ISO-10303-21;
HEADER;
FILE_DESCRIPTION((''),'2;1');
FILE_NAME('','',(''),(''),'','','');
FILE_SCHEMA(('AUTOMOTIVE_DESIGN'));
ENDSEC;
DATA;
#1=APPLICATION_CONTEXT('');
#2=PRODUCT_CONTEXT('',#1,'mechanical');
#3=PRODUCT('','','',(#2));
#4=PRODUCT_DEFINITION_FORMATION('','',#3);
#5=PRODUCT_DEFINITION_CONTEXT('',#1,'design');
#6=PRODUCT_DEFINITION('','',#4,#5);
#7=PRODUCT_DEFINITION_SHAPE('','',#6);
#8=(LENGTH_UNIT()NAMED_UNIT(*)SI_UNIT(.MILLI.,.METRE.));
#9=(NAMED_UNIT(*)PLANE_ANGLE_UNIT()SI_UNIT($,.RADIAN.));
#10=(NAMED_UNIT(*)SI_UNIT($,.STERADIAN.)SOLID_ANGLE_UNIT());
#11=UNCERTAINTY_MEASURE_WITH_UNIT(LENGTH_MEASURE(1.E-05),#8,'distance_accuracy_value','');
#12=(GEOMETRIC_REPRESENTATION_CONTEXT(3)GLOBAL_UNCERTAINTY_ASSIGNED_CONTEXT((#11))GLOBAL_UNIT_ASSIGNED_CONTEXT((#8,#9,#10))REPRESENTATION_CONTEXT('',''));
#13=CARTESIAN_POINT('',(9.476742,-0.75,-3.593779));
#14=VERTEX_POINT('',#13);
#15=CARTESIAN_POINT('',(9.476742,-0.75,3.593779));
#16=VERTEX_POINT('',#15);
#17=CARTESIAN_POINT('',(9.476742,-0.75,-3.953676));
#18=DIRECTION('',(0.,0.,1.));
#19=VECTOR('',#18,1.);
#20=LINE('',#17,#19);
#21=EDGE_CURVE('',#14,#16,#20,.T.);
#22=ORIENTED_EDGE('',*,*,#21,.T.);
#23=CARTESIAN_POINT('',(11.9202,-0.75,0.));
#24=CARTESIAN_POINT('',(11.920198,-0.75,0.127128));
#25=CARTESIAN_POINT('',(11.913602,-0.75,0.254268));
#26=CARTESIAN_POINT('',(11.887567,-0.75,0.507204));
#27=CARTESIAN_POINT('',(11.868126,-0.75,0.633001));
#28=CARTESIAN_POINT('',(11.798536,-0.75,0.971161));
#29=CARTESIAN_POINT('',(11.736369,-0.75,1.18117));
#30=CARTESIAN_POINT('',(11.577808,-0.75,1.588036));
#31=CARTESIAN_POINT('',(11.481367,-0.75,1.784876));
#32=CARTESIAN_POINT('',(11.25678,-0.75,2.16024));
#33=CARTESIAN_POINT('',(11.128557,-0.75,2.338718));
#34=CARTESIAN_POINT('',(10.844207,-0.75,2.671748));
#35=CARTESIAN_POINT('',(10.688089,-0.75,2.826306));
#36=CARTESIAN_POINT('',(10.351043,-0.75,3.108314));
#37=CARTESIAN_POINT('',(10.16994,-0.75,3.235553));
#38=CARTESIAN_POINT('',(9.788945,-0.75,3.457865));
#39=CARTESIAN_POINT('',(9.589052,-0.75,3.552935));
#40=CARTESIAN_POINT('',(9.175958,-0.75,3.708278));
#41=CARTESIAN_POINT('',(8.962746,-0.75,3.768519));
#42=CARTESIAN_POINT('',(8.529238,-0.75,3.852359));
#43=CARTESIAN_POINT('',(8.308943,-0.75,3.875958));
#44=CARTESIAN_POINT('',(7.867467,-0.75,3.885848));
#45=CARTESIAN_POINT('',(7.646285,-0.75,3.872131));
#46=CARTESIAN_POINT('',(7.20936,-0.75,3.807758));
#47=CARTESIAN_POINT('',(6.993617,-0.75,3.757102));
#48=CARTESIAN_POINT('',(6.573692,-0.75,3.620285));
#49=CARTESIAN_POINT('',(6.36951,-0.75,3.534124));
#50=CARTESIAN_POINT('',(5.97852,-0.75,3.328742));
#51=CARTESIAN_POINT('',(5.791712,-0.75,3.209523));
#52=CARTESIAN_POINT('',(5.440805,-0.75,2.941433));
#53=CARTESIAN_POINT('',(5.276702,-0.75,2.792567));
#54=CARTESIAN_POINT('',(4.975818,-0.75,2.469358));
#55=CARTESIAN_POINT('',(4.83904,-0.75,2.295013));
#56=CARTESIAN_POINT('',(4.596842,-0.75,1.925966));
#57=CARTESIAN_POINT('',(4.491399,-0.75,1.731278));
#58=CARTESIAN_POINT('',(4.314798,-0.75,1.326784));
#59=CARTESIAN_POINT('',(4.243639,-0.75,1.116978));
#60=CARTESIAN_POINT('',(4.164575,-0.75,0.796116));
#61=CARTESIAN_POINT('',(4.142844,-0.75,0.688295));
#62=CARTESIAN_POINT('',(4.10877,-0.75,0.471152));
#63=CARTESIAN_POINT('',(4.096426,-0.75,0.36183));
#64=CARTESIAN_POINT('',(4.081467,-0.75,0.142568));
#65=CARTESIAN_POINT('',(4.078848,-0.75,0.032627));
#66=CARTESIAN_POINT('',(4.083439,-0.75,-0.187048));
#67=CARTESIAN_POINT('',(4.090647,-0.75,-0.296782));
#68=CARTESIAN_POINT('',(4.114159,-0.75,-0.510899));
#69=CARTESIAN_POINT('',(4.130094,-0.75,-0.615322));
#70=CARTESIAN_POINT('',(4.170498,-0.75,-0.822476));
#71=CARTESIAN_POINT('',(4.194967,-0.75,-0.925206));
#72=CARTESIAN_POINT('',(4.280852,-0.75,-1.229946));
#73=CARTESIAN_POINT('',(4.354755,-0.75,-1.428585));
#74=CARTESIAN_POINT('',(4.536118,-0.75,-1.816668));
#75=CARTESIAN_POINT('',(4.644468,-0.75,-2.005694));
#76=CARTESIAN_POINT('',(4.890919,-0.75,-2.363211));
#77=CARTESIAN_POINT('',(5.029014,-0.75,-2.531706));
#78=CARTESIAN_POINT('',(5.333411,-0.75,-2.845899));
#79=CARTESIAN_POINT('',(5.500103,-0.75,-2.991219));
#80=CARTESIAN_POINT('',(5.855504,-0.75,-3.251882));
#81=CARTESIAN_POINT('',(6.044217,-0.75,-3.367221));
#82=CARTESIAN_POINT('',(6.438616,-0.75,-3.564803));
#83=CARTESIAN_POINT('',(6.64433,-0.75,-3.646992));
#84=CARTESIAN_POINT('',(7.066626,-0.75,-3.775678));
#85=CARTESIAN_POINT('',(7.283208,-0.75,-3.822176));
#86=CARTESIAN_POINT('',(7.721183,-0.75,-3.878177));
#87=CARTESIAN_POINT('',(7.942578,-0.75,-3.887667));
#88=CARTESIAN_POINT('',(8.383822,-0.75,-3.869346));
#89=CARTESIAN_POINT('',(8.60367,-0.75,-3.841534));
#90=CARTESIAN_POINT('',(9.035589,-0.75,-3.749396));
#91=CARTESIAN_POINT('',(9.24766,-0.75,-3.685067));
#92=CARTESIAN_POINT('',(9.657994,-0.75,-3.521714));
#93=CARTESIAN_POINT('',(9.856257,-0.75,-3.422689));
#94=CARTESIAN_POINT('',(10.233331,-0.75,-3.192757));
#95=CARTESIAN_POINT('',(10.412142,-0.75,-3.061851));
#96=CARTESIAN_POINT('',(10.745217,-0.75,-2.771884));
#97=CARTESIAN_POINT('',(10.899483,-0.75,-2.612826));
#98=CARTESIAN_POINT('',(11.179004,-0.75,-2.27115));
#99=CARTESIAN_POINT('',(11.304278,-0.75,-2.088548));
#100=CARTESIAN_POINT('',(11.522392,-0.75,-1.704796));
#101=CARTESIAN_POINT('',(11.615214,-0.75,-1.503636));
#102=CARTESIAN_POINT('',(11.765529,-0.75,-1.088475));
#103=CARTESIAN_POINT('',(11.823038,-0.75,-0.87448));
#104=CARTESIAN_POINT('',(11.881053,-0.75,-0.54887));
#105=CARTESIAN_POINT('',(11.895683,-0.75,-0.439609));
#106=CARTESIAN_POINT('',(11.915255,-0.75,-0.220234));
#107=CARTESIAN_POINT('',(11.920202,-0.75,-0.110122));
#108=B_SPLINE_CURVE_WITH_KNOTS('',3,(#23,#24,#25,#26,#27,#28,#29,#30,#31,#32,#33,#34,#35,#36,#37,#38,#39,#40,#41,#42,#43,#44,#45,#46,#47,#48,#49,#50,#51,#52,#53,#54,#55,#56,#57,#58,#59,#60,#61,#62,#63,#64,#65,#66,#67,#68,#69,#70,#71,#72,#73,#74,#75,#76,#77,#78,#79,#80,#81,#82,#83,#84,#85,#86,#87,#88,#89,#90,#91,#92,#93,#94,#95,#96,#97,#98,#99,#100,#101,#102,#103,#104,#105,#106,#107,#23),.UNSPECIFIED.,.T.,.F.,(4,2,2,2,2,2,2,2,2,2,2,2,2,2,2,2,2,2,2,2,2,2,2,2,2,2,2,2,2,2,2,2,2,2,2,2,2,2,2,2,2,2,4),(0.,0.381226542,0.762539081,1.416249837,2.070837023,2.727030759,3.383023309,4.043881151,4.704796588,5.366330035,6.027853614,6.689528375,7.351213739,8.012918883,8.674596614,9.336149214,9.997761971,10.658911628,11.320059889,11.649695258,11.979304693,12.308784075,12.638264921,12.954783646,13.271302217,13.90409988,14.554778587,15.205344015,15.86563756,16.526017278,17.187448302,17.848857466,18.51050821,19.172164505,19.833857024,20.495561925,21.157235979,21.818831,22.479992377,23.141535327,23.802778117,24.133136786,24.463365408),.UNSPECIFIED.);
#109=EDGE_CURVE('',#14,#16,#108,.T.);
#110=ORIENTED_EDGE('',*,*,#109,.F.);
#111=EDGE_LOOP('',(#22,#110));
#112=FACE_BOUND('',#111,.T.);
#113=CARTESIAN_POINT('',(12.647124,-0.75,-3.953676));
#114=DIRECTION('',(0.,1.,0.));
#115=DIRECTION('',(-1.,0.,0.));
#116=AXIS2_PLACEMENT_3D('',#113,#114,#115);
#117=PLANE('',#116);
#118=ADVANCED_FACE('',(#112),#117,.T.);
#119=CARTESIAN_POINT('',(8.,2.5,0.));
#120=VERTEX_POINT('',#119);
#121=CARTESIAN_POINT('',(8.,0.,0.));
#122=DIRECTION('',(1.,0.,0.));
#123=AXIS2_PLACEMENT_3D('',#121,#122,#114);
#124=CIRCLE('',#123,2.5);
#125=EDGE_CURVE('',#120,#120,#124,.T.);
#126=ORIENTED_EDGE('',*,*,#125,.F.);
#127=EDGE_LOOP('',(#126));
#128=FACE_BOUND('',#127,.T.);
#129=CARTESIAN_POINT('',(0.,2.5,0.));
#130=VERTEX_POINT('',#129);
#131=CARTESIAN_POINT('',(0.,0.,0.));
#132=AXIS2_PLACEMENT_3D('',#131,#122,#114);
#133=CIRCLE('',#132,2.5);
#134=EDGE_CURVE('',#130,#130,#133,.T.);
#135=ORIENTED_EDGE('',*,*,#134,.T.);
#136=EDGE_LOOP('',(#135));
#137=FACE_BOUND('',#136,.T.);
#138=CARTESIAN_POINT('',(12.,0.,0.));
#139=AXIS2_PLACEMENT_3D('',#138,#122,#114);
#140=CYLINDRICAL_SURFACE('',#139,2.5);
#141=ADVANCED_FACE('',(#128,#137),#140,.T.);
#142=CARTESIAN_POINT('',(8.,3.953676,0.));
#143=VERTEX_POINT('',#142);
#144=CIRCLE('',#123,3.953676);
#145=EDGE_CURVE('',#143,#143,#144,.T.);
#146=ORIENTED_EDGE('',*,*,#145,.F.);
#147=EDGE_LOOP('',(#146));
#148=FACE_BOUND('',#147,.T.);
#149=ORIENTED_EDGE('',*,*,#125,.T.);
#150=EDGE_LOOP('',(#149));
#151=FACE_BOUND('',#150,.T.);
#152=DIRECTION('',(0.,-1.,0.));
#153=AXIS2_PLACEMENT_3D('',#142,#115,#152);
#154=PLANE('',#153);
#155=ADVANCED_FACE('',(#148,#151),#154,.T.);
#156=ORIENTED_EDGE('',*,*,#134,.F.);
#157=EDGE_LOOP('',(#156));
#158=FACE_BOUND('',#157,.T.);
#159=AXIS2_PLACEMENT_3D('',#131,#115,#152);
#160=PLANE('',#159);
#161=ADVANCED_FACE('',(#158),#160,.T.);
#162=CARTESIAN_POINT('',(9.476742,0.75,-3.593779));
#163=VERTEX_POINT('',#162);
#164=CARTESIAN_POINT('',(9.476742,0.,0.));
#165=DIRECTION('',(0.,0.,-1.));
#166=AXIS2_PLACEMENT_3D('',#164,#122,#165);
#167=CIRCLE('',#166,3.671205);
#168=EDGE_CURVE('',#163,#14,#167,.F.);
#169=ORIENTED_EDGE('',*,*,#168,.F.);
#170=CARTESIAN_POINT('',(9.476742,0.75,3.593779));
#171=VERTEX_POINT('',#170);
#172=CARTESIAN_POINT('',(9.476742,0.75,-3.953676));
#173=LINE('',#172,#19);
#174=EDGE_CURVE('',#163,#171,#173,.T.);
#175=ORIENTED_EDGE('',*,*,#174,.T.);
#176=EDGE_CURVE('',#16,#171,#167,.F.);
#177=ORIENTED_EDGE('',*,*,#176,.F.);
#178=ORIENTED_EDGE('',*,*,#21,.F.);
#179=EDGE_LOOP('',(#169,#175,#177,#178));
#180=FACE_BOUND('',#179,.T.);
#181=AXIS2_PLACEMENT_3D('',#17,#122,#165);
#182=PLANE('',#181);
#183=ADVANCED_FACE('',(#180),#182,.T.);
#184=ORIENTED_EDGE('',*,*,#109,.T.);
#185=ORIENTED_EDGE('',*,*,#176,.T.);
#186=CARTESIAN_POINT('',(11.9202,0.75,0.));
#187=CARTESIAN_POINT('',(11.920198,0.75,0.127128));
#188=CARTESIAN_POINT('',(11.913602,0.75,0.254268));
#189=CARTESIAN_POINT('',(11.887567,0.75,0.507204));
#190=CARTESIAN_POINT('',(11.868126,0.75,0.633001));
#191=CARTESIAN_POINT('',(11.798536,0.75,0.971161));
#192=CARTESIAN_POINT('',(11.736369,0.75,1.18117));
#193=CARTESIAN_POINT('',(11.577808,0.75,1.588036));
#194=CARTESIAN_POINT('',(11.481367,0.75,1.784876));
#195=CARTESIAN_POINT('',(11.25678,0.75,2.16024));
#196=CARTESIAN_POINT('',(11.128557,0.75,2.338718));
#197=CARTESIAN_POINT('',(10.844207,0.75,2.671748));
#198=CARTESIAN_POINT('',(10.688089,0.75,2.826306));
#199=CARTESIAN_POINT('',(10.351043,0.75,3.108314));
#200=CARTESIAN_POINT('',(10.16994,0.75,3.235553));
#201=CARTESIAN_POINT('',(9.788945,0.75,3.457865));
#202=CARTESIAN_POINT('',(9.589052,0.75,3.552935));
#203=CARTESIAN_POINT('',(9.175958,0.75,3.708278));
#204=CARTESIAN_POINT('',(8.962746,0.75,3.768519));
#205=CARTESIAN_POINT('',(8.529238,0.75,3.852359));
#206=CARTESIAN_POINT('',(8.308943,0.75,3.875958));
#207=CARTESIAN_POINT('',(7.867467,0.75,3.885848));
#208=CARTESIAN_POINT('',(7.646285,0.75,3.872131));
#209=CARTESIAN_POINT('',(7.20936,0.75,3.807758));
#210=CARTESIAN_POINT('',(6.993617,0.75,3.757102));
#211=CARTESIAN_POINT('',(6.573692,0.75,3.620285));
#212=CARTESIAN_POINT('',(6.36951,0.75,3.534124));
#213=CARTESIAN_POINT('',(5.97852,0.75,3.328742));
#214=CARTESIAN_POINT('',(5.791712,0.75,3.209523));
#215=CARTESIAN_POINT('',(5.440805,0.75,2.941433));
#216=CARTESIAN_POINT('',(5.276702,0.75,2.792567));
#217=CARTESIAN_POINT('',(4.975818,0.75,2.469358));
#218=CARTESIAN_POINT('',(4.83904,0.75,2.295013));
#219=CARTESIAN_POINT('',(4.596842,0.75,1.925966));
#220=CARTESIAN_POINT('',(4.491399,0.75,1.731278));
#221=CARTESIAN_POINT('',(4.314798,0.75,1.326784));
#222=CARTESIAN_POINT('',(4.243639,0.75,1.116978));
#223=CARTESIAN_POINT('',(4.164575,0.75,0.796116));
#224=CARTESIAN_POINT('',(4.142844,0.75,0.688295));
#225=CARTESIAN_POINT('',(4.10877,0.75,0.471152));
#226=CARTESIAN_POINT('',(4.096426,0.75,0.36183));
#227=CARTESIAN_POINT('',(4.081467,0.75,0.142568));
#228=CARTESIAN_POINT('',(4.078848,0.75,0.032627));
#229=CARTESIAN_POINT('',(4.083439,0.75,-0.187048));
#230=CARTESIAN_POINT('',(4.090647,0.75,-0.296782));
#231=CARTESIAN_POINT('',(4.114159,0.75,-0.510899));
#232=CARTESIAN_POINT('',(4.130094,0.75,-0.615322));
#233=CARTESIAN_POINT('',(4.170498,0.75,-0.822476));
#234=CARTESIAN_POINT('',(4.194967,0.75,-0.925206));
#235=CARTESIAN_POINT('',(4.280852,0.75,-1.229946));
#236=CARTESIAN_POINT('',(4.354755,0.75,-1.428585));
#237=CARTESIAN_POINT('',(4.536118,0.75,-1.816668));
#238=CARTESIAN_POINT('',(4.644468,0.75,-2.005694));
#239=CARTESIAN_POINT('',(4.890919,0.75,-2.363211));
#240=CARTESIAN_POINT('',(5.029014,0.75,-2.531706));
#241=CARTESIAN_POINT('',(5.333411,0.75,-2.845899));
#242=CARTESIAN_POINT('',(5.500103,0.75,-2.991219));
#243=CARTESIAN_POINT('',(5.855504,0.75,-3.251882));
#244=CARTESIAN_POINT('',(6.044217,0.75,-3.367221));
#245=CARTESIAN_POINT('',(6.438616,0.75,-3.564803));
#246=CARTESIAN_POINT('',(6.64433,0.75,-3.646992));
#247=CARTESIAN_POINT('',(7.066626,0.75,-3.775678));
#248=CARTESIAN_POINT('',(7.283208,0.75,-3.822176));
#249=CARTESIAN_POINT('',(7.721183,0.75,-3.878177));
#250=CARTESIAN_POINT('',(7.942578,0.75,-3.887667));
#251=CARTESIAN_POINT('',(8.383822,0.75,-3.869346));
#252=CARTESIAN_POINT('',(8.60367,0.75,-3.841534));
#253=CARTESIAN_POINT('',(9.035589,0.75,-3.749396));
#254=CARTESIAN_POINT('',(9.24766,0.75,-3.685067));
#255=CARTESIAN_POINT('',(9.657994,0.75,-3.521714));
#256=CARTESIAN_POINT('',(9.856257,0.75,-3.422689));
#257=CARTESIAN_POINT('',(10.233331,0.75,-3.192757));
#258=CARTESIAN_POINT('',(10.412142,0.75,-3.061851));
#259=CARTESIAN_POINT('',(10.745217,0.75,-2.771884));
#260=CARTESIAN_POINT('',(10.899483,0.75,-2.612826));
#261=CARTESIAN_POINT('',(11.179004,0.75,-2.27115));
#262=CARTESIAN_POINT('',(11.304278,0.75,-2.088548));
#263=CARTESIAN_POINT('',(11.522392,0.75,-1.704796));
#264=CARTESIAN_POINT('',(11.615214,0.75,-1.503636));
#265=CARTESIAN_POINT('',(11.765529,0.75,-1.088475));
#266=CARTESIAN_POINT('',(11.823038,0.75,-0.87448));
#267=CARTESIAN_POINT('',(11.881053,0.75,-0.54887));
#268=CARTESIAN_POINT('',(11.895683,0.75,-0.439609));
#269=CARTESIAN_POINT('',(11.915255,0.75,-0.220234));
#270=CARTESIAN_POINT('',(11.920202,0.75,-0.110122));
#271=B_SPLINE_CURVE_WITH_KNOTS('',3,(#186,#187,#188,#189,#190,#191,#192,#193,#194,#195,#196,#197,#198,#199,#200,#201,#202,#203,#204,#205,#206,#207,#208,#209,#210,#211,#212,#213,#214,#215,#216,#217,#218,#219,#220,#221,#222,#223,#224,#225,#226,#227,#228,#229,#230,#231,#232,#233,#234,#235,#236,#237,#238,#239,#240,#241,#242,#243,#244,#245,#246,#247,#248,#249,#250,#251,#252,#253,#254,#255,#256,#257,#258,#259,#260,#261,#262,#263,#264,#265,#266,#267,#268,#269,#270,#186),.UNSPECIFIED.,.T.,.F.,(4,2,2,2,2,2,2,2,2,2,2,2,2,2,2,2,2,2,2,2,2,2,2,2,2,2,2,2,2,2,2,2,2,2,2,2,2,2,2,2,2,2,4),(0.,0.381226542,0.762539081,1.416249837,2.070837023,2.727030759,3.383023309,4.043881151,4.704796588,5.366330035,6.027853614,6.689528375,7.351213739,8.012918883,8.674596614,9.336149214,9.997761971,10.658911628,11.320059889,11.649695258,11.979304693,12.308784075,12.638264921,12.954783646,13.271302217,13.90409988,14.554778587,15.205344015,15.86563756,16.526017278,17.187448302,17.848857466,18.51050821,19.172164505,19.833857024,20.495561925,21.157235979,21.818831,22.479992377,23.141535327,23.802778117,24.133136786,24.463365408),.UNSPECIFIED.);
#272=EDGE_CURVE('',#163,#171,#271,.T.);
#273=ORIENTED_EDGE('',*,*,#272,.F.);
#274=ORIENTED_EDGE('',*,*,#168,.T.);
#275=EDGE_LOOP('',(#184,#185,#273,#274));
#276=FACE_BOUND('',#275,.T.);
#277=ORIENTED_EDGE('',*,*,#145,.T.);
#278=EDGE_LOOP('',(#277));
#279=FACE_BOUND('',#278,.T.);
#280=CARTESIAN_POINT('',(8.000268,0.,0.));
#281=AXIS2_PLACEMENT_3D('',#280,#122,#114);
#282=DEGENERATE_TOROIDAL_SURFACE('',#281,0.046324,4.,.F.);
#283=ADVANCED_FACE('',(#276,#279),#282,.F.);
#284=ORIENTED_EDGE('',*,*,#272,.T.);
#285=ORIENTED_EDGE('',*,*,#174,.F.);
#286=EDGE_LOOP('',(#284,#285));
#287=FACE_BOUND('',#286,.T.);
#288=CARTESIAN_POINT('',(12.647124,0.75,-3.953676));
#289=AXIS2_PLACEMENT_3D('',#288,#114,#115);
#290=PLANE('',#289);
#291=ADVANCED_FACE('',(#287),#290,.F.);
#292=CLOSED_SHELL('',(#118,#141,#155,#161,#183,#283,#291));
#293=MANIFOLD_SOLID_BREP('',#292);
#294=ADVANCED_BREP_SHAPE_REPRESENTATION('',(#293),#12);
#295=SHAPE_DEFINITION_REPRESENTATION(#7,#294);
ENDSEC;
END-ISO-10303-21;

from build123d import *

# Parameters (mm, degrees)
CORTE_EXTRUS_O1_DEPTH      = 14.238697312
CORTE_EXTRUS_O1_DEPTH_BACK = 14.238697312
ESBO_O2_W                  = 3.17038165
ESBO_O2_H                  = 1.5


with BuildPart() as part:
    # Esboço1 → Revolução1 (revolve)
    with BuildSketch(Plane.XY):
        with BuildLine():
            Line((0, 0), (0, 2.5))
            Line((0, 2.5), (8, 2.5))
            Line((8, 2.5), (8, 3.953675657))
            ThreePointArc((8, 3.953675657), (10.812174165, 2.798528059), (12, 0))
            Line((12, 0), (0, 0))
        make_face()
    revolve(axis=Axis((12, 0, 0), (-1, 0, 0)))

    # Esboço2 → Corte-extrusão1 (cut, two sides: drawn at the far end of the back side and taken through both)
    with BuildSketch(Plane.XY.offset(-CORTE_EXTRUS_O1_DEPTH_BACK)):
        with Locations((11.06193306, 0)):
            Rectangle(ESBO_O2_W, ESBO_O2_H)
    extrude(amount=CORTE_EXTRUS_O1_DEPTH + CORTE_EXTRUS_O1_DEPTH_BACK, mode=Mode.SUBTRACT)


solid = part.part
